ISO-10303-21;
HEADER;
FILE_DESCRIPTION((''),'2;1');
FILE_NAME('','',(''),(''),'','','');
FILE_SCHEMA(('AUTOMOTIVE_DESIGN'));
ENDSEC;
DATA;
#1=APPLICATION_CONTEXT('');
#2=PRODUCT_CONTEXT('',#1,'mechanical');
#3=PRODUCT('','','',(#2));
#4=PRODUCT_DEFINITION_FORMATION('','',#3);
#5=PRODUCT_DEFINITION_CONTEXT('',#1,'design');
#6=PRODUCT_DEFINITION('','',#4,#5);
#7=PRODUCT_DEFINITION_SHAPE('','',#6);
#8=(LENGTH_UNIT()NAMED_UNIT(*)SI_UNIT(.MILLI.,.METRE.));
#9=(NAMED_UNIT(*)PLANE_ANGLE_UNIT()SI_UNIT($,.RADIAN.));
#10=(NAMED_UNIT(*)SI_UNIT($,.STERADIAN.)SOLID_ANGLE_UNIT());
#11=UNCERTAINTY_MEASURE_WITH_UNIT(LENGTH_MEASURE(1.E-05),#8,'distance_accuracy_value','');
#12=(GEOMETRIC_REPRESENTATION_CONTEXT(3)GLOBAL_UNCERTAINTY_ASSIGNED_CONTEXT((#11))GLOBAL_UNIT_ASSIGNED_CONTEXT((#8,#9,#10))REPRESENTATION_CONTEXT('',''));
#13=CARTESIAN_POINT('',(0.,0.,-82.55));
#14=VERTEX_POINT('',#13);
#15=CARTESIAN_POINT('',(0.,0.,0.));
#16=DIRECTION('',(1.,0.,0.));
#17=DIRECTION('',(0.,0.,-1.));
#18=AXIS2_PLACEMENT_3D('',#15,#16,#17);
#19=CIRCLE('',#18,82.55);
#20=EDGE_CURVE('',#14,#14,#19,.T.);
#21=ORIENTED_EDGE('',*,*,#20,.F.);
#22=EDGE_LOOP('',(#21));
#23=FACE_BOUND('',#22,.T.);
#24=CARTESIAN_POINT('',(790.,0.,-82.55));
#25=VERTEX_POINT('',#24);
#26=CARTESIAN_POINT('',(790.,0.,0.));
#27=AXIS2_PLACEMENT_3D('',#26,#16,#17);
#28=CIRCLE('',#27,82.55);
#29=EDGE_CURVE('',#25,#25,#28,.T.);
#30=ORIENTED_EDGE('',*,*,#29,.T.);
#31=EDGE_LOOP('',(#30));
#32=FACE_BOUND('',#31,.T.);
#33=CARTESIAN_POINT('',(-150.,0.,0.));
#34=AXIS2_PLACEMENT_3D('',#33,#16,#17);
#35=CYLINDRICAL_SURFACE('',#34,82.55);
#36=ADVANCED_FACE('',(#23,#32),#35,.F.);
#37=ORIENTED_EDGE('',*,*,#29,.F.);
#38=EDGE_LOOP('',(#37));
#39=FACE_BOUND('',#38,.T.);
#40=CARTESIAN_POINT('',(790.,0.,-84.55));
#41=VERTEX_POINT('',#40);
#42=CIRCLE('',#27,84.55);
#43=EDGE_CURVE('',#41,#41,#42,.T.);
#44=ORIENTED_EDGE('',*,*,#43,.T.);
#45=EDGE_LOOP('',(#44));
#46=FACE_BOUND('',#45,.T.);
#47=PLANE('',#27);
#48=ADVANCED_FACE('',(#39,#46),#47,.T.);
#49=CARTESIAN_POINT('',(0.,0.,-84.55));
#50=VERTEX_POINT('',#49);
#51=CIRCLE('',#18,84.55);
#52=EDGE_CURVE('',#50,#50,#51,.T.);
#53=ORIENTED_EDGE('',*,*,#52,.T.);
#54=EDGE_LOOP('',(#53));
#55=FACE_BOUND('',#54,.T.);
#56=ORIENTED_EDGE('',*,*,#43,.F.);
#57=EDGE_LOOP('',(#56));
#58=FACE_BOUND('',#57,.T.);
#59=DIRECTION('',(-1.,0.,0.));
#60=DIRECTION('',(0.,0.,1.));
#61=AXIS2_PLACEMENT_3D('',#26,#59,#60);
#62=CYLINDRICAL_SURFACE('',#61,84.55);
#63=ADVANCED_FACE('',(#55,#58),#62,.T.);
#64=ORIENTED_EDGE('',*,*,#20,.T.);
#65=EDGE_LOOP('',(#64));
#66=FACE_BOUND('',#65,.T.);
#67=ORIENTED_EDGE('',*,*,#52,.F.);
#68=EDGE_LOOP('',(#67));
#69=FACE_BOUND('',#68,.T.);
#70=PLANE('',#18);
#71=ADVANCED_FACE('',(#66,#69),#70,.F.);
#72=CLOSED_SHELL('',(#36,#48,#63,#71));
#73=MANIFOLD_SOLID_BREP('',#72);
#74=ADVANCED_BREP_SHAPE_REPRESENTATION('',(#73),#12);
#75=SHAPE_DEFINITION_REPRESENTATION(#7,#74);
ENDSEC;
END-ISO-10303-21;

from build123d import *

# Parameters (mm, degrees)
SKETCH1_R           = 84.55
BOSS_EXTRUDE2_DEPTH = 790
SKETCH3_R           = 82.55
CUT_EXTRUDE1_DEPTH  = 940


with BuildPart() as part:
    # Sketch1 → Boss-Extrude2 (new body)
    with BuildSketch(Plane(origin=(0, 0, 0), x_dir=(0, 0, -1), z_dir=(1, 0, 0))):
        Circle(SKETCH1_R)
    extrude(amount=BOSS_EXTRUDE2_DEPTH)

    # Sketch3 → Cut-Extrude1 (cut)
    with BuildSketch(Plane(origin=(790, 0, 0), x_dir=(0, 0, -1), z_dir=(1, 0, 0))):
        Circle(SKETCH3_R)
    extrude(amount=-CUT_EXTRUDE1_DEPTH, mode=Mode.SUBTRACT)


solid = part.part
